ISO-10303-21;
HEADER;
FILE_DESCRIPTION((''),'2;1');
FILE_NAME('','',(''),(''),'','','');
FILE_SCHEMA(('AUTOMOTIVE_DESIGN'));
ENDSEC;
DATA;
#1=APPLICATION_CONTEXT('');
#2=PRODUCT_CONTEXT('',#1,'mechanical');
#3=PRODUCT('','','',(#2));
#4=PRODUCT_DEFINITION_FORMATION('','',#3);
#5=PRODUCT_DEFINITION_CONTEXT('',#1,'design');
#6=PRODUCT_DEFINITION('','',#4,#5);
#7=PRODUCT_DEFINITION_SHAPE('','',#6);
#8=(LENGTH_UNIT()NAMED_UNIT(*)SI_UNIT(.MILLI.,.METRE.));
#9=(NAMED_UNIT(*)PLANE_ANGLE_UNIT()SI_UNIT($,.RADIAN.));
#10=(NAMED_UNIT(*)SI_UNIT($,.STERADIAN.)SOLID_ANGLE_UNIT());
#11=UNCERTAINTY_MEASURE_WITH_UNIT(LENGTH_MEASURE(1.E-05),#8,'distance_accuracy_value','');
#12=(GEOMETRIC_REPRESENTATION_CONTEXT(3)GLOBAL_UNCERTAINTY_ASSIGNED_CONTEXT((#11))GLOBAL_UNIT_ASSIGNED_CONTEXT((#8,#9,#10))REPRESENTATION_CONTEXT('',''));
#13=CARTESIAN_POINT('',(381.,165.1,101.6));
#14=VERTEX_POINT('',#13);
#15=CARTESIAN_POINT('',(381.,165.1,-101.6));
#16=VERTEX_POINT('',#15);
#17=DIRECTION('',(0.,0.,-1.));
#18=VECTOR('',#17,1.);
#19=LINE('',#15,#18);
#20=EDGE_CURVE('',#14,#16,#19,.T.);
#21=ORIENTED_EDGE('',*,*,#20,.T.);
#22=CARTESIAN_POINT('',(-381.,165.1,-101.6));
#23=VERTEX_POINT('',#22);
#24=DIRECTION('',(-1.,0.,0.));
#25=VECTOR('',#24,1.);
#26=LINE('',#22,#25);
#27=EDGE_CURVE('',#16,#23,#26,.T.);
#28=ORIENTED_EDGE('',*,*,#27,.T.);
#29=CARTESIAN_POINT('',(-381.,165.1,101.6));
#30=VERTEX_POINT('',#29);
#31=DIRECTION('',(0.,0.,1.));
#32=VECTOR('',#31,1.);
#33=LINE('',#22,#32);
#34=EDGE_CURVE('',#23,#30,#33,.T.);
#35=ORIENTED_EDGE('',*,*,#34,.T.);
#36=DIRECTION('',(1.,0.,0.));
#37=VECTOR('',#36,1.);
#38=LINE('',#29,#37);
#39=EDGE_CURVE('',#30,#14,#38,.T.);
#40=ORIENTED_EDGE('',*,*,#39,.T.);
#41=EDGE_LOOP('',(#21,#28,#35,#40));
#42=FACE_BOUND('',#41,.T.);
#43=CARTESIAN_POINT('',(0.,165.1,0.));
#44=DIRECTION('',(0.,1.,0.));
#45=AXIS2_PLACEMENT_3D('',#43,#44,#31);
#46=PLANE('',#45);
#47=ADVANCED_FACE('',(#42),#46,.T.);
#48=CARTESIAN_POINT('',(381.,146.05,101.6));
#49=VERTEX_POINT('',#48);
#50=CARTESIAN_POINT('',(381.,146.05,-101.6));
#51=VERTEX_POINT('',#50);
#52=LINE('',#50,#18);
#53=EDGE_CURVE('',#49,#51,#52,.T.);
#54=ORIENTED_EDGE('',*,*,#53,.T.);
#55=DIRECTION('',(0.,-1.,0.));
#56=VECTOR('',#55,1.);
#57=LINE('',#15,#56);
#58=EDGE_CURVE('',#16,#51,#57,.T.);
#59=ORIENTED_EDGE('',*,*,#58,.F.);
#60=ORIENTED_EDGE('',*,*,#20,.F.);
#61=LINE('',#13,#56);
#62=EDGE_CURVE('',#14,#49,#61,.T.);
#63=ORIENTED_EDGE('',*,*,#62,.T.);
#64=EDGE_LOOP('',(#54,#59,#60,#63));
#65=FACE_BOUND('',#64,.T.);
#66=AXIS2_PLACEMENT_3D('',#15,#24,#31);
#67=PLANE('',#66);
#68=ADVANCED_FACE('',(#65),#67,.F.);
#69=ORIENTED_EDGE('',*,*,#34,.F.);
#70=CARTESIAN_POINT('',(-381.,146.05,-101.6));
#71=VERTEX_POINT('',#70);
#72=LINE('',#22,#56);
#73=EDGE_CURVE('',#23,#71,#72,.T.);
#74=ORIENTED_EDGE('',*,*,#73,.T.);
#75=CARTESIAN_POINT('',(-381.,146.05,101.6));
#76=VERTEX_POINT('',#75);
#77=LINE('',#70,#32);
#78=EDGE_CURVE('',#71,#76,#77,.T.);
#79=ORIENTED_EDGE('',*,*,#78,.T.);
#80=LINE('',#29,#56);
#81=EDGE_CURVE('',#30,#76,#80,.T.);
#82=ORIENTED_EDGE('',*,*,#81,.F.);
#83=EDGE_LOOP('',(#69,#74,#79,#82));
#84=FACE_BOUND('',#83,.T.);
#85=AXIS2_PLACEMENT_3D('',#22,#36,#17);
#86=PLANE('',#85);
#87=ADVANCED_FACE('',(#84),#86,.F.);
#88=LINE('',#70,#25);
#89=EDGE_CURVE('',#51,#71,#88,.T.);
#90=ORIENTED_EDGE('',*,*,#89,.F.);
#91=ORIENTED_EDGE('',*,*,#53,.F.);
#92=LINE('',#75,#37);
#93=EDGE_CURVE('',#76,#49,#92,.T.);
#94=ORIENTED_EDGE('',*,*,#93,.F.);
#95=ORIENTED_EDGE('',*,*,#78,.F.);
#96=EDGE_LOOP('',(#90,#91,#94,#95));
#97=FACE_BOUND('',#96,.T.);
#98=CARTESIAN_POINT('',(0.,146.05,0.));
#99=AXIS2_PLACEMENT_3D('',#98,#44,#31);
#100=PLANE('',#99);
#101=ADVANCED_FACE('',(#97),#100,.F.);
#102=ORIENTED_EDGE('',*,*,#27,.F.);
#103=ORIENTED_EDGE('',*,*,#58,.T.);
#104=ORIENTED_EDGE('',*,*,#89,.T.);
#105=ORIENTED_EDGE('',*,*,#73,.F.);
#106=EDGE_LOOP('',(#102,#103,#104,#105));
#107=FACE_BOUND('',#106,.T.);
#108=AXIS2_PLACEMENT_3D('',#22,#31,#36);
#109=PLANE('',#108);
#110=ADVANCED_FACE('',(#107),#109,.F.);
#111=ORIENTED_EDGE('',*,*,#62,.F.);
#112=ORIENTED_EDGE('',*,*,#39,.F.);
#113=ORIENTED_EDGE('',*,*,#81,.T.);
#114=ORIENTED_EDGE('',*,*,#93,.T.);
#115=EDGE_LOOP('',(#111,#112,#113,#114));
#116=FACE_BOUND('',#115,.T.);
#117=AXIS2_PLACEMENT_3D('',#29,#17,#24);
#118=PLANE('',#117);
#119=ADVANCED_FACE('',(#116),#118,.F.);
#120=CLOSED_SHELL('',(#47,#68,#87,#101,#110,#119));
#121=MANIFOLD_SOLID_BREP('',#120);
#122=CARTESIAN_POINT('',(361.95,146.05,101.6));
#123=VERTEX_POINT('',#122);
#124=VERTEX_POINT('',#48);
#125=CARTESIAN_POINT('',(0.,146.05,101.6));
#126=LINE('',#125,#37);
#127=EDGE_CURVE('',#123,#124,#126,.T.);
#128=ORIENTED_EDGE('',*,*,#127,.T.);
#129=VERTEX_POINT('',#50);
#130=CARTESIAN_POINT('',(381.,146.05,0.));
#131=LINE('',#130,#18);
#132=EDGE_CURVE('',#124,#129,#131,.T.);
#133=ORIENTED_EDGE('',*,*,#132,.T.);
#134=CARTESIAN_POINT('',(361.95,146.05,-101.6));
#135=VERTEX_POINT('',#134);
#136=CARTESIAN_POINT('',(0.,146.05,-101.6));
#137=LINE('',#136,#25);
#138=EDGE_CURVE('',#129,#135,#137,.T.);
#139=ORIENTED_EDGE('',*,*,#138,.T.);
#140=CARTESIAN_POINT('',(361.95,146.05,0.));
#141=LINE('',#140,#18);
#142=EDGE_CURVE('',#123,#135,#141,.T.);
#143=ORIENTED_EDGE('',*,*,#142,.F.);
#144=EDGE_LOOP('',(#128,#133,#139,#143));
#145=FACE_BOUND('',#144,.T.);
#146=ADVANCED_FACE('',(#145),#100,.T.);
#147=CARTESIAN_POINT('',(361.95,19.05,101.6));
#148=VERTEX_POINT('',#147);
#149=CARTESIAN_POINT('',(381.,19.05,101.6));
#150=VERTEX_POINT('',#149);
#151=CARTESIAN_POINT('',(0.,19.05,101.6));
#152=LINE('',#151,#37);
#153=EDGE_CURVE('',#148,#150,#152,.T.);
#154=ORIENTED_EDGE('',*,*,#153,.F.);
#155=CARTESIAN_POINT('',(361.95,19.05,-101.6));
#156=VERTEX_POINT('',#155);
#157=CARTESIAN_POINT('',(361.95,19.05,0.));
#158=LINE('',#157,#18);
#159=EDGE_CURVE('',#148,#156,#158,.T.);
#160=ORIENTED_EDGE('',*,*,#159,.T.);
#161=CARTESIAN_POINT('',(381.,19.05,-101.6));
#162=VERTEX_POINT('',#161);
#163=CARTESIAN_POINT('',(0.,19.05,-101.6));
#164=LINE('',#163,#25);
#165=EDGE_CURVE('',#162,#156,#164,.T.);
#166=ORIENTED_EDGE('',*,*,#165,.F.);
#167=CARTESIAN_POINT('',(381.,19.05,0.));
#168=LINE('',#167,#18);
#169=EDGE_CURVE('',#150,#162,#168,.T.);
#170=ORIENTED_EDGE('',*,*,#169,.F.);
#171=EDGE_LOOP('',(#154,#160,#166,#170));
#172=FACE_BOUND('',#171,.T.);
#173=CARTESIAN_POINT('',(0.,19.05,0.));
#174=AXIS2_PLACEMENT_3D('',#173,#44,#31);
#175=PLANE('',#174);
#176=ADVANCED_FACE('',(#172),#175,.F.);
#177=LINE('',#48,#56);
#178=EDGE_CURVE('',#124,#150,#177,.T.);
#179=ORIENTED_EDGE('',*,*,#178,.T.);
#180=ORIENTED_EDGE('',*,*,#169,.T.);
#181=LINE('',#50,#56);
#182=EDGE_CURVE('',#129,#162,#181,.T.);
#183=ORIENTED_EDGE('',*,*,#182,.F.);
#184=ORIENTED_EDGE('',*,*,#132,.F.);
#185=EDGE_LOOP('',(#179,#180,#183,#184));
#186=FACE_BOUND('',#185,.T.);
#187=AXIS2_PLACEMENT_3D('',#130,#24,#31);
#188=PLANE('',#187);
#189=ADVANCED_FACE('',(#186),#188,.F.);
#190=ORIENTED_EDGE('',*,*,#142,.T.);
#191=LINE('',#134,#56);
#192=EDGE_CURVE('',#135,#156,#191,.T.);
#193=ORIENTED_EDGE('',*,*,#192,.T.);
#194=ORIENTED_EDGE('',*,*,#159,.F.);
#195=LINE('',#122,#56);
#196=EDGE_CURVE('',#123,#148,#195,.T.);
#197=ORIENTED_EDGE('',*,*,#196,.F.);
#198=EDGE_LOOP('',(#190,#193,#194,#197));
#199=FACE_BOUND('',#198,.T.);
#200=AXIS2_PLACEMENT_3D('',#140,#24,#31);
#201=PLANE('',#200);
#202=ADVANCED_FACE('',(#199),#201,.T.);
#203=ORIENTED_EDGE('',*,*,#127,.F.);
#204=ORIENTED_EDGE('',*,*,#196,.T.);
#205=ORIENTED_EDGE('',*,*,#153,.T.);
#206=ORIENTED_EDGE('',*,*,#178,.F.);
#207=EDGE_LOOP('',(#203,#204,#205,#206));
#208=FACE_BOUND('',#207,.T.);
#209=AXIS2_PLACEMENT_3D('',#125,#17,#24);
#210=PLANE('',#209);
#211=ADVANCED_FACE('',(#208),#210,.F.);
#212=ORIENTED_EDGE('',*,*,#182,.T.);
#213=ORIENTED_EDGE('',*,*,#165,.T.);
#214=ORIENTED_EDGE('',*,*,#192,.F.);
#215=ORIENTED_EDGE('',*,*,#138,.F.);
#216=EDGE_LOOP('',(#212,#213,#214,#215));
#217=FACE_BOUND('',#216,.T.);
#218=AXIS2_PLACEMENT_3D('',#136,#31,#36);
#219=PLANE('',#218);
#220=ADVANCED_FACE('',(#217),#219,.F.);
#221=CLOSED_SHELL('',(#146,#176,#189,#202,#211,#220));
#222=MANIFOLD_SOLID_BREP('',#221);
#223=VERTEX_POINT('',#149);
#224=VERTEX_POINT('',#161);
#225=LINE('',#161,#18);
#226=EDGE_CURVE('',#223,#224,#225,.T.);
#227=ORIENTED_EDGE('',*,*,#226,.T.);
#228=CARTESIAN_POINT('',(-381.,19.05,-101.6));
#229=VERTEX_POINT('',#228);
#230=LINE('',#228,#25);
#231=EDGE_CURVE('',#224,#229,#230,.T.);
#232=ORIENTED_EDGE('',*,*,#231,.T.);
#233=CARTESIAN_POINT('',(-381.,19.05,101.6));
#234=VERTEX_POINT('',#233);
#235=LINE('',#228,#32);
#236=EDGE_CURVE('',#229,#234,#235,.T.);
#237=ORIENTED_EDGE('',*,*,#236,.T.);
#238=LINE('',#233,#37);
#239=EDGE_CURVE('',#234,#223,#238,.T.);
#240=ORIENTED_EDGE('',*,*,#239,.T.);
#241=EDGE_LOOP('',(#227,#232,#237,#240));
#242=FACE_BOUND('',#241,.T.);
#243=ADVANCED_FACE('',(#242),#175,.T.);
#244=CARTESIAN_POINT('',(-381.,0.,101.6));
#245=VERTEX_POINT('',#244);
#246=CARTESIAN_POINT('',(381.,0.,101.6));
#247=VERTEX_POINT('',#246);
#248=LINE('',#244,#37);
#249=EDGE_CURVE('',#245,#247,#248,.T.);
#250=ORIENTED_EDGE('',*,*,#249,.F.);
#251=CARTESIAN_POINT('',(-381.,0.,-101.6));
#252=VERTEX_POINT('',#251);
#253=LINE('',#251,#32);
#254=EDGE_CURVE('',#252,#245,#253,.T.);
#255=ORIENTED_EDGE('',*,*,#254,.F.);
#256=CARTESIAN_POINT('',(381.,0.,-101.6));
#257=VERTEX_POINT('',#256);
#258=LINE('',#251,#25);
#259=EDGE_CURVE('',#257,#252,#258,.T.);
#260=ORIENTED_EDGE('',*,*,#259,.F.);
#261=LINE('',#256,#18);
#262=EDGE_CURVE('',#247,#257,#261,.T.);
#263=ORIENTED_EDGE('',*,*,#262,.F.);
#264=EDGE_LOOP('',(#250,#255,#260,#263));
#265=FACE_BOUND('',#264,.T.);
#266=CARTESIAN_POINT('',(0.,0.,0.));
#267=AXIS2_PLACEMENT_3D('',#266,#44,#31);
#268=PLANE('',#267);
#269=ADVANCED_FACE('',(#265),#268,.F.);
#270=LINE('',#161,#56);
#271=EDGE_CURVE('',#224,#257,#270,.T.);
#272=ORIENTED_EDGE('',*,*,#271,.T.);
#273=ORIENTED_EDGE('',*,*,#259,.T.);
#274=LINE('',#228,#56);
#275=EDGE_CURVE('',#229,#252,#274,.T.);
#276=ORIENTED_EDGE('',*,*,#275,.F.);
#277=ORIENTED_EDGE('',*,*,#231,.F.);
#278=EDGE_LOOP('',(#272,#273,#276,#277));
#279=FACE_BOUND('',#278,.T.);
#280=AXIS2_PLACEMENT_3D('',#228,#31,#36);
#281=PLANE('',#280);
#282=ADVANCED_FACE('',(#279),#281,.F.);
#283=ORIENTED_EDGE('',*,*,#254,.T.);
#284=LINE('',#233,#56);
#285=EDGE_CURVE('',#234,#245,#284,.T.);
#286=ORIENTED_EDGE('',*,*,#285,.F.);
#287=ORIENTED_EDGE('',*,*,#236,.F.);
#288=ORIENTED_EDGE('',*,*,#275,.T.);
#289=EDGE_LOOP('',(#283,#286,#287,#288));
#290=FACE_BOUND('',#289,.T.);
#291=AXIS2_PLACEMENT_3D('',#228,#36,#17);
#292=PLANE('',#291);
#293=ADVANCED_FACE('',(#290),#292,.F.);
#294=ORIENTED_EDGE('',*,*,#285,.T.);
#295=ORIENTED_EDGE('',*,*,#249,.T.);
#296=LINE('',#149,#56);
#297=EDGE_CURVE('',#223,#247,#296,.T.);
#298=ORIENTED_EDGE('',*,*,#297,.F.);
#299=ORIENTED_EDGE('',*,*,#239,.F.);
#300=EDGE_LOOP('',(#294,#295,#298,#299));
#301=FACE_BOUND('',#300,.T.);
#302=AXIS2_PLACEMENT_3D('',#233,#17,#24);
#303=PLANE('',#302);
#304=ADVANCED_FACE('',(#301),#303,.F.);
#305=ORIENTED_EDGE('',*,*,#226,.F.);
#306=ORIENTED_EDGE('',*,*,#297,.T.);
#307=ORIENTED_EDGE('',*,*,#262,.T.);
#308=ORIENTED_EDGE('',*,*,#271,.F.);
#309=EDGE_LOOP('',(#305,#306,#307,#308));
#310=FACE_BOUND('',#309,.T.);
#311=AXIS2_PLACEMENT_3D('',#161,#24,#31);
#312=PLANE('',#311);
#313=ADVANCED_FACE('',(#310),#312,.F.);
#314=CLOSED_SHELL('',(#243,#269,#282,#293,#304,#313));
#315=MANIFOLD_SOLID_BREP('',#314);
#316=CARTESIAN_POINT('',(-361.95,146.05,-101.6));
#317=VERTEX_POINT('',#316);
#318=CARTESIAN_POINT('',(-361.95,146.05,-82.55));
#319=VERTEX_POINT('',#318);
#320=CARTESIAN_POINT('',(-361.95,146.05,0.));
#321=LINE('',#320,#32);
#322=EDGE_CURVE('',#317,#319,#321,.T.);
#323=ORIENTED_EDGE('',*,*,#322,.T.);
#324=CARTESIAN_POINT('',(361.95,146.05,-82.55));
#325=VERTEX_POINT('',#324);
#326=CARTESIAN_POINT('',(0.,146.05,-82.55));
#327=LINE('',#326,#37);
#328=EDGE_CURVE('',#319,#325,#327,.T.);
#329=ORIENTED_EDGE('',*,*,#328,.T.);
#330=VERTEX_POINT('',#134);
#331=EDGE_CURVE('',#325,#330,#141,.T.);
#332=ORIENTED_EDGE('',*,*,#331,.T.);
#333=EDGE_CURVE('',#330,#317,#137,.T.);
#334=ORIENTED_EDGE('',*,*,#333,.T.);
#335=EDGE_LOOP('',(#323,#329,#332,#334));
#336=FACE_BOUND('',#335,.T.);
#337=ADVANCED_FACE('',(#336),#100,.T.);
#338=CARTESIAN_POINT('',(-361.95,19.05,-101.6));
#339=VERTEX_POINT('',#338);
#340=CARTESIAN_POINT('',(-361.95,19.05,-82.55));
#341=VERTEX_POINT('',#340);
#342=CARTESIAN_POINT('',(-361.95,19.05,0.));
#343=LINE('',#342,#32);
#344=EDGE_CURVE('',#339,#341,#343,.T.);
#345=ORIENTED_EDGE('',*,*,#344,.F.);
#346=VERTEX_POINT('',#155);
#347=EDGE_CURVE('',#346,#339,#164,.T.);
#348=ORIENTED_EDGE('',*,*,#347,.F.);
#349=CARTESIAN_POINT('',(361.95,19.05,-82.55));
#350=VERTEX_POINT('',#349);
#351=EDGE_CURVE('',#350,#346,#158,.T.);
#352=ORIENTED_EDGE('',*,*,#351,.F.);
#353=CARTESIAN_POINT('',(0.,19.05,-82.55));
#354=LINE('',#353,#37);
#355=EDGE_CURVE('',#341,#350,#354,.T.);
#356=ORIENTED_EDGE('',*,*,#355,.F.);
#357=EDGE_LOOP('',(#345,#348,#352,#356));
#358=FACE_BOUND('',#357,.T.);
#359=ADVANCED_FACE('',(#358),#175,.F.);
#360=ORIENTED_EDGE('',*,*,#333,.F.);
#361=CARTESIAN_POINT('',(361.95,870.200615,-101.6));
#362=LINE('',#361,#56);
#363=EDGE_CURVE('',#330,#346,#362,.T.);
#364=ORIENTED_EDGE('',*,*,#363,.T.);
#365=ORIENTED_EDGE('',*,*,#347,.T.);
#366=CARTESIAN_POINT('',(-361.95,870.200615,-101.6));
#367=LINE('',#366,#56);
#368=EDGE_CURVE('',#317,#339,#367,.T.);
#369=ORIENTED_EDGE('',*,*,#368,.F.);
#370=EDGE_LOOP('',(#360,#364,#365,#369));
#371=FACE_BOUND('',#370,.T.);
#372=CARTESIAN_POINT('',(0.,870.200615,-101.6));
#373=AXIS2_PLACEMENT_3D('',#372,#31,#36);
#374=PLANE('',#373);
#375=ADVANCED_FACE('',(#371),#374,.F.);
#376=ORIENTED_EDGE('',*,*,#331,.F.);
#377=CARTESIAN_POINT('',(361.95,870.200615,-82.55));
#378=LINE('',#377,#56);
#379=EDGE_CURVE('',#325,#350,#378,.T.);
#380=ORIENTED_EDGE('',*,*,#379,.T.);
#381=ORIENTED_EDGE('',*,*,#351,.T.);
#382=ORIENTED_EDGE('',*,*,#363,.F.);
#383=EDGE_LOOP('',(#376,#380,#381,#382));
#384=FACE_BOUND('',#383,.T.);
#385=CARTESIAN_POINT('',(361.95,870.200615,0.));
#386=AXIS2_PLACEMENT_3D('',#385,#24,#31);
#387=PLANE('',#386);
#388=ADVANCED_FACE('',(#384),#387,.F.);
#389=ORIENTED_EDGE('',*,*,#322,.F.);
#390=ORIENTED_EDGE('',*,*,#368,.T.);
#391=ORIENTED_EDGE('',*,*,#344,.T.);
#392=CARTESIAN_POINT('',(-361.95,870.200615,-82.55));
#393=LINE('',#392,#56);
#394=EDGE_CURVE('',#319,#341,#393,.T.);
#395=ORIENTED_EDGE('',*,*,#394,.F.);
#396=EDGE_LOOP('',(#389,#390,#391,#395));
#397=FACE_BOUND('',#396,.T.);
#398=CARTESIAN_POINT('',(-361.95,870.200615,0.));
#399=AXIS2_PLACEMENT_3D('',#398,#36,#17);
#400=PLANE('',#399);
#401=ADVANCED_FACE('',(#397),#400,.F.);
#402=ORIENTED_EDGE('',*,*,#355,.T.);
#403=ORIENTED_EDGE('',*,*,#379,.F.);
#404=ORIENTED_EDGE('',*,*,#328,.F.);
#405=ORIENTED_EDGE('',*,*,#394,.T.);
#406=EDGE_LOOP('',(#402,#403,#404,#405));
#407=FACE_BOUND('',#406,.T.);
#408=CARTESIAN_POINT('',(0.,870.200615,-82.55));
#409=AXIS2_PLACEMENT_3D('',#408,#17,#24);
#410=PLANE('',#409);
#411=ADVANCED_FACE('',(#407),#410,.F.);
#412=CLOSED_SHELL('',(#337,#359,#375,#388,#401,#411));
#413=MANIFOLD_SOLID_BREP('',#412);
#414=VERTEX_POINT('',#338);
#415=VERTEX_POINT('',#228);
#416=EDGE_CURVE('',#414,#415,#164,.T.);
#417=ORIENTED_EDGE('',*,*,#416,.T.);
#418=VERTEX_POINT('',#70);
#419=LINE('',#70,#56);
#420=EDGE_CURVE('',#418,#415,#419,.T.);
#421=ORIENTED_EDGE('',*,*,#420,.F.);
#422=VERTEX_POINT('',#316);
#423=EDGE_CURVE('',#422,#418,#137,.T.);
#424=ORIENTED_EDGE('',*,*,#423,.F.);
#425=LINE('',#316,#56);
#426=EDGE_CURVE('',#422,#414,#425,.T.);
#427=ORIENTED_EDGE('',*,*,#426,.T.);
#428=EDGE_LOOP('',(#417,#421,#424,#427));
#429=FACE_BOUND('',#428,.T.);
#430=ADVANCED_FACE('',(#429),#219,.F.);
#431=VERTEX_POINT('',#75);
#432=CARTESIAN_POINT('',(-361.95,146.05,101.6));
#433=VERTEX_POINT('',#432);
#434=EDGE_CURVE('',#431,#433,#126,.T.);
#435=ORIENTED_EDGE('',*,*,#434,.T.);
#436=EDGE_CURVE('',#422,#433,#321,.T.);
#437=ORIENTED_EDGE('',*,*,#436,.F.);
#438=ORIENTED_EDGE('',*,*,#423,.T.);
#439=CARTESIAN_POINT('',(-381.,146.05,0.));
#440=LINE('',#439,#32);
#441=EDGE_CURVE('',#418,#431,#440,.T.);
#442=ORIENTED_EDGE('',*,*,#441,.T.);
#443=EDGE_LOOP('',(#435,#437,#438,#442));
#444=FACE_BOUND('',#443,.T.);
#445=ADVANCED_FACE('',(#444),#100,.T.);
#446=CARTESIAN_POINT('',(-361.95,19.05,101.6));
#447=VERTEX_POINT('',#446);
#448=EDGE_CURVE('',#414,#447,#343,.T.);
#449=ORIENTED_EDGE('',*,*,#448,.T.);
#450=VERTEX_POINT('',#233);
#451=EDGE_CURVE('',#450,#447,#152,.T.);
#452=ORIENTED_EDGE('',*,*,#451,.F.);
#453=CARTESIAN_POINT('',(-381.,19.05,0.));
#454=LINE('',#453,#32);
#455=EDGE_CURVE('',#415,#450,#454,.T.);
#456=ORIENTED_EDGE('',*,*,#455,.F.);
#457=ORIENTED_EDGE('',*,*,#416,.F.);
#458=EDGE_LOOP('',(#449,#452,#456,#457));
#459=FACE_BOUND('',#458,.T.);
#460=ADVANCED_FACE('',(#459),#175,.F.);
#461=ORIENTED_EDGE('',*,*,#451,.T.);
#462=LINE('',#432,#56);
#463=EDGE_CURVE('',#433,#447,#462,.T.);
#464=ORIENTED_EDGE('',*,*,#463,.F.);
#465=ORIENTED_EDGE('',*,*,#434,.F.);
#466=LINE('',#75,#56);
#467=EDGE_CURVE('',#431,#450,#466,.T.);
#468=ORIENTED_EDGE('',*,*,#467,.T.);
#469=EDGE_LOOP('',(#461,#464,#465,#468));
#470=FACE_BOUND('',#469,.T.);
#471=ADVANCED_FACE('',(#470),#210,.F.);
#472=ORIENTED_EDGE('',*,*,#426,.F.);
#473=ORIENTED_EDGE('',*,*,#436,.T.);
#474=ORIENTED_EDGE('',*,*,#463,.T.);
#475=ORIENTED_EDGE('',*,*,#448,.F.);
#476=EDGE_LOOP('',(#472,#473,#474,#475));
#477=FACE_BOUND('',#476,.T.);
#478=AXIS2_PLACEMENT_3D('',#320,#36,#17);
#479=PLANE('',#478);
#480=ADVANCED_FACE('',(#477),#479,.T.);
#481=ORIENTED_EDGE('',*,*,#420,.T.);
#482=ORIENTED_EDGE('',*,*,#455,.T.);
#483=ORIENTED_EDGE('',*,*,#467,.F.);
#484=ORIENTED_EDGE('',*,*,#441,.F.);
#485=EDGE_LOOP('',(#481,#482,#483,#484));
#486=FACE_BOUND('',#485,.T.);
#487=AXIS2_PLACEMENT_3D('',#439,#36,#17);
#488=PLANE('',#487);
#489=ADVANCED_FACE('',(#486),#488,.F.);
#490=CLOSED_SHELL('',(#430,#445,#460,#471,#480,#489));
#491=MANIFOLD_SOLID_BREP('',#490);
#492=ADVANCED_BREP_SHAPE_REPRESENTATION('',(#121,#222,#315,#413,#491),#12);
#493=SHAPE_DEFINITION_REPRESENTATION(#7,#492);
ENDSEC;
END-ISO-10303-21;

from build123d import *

# Parameters (mm, degrees)
SKETCH1_W             = 762
SKETCH1_H             = 203.2
BOSS_EXTRUDE1_DEPTH   = 19.05
BOSS_EXTRUDE2_DEPTH   = 127
BOSS_EXTRUDE2_2_DEPTH = 127
SKETCH2_3_W           = 723.9
SKETCH2_3_H           = 19.05
BOSS_EXTRUDE3_DEPTH   = 127
SKETCH3_W             = 762
SKETCH3_H             = 203.2
BOSS_EXTRUDE4_DEPTH   = 19.05


with BuildPart() as part:
    # Sketch1 → Boss-Extrude1 (new body)
    with BuildSketch(Plane(origin=(0, 0, 0), x_dir=(1, 0, 0), z_dir=(0, 1, 0))):
        Rectangle(SKETCH1_W, SKETCH1_H)
    extrude(amount=BOSS_EXTRUDE1_DEPTH)


with BuildPart() as body_2:
    # Sketch2 → Boss-Extrude2 (new body)
    with BuildSketch(Plane(origin=(0, 19.05, 0), x_dir=(1, 0, 0), z_dir=(0, 1, 0))):
        Polygon((-361.95, 101.6), (-381, 101.6), (-381, -101.6), (-361.95, -101.6), (-361.95, 82.55), align=None)
    extrude(amount=BOSS_EXTRUDE2_DEPTH)


with BuildPart() as body_3:
    # Sketch2 → Boss-Extrude2 2 (new body)
    with BuildSketch(Plane(origin=(0, 19.05, 0), x_dir=(1, 0, 0), z_dir=(0, 1, 0))):
        Polygon((381, 101.6), (361.95, 101.6), (361.95, 82.55), (361.95, -101.6), (381, -101.6), align=None)
    extrude(amount=BOSS_EXTRUDE2_2_DEPTH)


with BuildPart() as body_4:
    # Sketch2<3> → Boss-Extrude3 (new body)
    with BuildSketch(Plane(origin=(0, 19.05, 0), x_dir=(1, 0, 0), z_dir=(0, 1, 0))):
        with Locations((0, 92.075)):
            Rectangle(SKETCH2_3_W, SKETCH2_3_H)
    extrude(amount=BOSS_EXTRUDE3_DEPTH)


with BuildPart() as body_5:
    # Sketch3 → Boss-Extrude4 (new body)
    with BuildSketch(Plane(origin=(0, 146.05, 0), x_dir=(1, 0, 0), z_dir=(0, 1, 0))):
        Rectangle(SKETCH3_W, SKETCH3_H)
    extrude(amount=BOSS_EXTRUDE4_DEPTH)


solid = Compound([part.part, body_2.part, body_3.part, body_4.part, body_5.part])
